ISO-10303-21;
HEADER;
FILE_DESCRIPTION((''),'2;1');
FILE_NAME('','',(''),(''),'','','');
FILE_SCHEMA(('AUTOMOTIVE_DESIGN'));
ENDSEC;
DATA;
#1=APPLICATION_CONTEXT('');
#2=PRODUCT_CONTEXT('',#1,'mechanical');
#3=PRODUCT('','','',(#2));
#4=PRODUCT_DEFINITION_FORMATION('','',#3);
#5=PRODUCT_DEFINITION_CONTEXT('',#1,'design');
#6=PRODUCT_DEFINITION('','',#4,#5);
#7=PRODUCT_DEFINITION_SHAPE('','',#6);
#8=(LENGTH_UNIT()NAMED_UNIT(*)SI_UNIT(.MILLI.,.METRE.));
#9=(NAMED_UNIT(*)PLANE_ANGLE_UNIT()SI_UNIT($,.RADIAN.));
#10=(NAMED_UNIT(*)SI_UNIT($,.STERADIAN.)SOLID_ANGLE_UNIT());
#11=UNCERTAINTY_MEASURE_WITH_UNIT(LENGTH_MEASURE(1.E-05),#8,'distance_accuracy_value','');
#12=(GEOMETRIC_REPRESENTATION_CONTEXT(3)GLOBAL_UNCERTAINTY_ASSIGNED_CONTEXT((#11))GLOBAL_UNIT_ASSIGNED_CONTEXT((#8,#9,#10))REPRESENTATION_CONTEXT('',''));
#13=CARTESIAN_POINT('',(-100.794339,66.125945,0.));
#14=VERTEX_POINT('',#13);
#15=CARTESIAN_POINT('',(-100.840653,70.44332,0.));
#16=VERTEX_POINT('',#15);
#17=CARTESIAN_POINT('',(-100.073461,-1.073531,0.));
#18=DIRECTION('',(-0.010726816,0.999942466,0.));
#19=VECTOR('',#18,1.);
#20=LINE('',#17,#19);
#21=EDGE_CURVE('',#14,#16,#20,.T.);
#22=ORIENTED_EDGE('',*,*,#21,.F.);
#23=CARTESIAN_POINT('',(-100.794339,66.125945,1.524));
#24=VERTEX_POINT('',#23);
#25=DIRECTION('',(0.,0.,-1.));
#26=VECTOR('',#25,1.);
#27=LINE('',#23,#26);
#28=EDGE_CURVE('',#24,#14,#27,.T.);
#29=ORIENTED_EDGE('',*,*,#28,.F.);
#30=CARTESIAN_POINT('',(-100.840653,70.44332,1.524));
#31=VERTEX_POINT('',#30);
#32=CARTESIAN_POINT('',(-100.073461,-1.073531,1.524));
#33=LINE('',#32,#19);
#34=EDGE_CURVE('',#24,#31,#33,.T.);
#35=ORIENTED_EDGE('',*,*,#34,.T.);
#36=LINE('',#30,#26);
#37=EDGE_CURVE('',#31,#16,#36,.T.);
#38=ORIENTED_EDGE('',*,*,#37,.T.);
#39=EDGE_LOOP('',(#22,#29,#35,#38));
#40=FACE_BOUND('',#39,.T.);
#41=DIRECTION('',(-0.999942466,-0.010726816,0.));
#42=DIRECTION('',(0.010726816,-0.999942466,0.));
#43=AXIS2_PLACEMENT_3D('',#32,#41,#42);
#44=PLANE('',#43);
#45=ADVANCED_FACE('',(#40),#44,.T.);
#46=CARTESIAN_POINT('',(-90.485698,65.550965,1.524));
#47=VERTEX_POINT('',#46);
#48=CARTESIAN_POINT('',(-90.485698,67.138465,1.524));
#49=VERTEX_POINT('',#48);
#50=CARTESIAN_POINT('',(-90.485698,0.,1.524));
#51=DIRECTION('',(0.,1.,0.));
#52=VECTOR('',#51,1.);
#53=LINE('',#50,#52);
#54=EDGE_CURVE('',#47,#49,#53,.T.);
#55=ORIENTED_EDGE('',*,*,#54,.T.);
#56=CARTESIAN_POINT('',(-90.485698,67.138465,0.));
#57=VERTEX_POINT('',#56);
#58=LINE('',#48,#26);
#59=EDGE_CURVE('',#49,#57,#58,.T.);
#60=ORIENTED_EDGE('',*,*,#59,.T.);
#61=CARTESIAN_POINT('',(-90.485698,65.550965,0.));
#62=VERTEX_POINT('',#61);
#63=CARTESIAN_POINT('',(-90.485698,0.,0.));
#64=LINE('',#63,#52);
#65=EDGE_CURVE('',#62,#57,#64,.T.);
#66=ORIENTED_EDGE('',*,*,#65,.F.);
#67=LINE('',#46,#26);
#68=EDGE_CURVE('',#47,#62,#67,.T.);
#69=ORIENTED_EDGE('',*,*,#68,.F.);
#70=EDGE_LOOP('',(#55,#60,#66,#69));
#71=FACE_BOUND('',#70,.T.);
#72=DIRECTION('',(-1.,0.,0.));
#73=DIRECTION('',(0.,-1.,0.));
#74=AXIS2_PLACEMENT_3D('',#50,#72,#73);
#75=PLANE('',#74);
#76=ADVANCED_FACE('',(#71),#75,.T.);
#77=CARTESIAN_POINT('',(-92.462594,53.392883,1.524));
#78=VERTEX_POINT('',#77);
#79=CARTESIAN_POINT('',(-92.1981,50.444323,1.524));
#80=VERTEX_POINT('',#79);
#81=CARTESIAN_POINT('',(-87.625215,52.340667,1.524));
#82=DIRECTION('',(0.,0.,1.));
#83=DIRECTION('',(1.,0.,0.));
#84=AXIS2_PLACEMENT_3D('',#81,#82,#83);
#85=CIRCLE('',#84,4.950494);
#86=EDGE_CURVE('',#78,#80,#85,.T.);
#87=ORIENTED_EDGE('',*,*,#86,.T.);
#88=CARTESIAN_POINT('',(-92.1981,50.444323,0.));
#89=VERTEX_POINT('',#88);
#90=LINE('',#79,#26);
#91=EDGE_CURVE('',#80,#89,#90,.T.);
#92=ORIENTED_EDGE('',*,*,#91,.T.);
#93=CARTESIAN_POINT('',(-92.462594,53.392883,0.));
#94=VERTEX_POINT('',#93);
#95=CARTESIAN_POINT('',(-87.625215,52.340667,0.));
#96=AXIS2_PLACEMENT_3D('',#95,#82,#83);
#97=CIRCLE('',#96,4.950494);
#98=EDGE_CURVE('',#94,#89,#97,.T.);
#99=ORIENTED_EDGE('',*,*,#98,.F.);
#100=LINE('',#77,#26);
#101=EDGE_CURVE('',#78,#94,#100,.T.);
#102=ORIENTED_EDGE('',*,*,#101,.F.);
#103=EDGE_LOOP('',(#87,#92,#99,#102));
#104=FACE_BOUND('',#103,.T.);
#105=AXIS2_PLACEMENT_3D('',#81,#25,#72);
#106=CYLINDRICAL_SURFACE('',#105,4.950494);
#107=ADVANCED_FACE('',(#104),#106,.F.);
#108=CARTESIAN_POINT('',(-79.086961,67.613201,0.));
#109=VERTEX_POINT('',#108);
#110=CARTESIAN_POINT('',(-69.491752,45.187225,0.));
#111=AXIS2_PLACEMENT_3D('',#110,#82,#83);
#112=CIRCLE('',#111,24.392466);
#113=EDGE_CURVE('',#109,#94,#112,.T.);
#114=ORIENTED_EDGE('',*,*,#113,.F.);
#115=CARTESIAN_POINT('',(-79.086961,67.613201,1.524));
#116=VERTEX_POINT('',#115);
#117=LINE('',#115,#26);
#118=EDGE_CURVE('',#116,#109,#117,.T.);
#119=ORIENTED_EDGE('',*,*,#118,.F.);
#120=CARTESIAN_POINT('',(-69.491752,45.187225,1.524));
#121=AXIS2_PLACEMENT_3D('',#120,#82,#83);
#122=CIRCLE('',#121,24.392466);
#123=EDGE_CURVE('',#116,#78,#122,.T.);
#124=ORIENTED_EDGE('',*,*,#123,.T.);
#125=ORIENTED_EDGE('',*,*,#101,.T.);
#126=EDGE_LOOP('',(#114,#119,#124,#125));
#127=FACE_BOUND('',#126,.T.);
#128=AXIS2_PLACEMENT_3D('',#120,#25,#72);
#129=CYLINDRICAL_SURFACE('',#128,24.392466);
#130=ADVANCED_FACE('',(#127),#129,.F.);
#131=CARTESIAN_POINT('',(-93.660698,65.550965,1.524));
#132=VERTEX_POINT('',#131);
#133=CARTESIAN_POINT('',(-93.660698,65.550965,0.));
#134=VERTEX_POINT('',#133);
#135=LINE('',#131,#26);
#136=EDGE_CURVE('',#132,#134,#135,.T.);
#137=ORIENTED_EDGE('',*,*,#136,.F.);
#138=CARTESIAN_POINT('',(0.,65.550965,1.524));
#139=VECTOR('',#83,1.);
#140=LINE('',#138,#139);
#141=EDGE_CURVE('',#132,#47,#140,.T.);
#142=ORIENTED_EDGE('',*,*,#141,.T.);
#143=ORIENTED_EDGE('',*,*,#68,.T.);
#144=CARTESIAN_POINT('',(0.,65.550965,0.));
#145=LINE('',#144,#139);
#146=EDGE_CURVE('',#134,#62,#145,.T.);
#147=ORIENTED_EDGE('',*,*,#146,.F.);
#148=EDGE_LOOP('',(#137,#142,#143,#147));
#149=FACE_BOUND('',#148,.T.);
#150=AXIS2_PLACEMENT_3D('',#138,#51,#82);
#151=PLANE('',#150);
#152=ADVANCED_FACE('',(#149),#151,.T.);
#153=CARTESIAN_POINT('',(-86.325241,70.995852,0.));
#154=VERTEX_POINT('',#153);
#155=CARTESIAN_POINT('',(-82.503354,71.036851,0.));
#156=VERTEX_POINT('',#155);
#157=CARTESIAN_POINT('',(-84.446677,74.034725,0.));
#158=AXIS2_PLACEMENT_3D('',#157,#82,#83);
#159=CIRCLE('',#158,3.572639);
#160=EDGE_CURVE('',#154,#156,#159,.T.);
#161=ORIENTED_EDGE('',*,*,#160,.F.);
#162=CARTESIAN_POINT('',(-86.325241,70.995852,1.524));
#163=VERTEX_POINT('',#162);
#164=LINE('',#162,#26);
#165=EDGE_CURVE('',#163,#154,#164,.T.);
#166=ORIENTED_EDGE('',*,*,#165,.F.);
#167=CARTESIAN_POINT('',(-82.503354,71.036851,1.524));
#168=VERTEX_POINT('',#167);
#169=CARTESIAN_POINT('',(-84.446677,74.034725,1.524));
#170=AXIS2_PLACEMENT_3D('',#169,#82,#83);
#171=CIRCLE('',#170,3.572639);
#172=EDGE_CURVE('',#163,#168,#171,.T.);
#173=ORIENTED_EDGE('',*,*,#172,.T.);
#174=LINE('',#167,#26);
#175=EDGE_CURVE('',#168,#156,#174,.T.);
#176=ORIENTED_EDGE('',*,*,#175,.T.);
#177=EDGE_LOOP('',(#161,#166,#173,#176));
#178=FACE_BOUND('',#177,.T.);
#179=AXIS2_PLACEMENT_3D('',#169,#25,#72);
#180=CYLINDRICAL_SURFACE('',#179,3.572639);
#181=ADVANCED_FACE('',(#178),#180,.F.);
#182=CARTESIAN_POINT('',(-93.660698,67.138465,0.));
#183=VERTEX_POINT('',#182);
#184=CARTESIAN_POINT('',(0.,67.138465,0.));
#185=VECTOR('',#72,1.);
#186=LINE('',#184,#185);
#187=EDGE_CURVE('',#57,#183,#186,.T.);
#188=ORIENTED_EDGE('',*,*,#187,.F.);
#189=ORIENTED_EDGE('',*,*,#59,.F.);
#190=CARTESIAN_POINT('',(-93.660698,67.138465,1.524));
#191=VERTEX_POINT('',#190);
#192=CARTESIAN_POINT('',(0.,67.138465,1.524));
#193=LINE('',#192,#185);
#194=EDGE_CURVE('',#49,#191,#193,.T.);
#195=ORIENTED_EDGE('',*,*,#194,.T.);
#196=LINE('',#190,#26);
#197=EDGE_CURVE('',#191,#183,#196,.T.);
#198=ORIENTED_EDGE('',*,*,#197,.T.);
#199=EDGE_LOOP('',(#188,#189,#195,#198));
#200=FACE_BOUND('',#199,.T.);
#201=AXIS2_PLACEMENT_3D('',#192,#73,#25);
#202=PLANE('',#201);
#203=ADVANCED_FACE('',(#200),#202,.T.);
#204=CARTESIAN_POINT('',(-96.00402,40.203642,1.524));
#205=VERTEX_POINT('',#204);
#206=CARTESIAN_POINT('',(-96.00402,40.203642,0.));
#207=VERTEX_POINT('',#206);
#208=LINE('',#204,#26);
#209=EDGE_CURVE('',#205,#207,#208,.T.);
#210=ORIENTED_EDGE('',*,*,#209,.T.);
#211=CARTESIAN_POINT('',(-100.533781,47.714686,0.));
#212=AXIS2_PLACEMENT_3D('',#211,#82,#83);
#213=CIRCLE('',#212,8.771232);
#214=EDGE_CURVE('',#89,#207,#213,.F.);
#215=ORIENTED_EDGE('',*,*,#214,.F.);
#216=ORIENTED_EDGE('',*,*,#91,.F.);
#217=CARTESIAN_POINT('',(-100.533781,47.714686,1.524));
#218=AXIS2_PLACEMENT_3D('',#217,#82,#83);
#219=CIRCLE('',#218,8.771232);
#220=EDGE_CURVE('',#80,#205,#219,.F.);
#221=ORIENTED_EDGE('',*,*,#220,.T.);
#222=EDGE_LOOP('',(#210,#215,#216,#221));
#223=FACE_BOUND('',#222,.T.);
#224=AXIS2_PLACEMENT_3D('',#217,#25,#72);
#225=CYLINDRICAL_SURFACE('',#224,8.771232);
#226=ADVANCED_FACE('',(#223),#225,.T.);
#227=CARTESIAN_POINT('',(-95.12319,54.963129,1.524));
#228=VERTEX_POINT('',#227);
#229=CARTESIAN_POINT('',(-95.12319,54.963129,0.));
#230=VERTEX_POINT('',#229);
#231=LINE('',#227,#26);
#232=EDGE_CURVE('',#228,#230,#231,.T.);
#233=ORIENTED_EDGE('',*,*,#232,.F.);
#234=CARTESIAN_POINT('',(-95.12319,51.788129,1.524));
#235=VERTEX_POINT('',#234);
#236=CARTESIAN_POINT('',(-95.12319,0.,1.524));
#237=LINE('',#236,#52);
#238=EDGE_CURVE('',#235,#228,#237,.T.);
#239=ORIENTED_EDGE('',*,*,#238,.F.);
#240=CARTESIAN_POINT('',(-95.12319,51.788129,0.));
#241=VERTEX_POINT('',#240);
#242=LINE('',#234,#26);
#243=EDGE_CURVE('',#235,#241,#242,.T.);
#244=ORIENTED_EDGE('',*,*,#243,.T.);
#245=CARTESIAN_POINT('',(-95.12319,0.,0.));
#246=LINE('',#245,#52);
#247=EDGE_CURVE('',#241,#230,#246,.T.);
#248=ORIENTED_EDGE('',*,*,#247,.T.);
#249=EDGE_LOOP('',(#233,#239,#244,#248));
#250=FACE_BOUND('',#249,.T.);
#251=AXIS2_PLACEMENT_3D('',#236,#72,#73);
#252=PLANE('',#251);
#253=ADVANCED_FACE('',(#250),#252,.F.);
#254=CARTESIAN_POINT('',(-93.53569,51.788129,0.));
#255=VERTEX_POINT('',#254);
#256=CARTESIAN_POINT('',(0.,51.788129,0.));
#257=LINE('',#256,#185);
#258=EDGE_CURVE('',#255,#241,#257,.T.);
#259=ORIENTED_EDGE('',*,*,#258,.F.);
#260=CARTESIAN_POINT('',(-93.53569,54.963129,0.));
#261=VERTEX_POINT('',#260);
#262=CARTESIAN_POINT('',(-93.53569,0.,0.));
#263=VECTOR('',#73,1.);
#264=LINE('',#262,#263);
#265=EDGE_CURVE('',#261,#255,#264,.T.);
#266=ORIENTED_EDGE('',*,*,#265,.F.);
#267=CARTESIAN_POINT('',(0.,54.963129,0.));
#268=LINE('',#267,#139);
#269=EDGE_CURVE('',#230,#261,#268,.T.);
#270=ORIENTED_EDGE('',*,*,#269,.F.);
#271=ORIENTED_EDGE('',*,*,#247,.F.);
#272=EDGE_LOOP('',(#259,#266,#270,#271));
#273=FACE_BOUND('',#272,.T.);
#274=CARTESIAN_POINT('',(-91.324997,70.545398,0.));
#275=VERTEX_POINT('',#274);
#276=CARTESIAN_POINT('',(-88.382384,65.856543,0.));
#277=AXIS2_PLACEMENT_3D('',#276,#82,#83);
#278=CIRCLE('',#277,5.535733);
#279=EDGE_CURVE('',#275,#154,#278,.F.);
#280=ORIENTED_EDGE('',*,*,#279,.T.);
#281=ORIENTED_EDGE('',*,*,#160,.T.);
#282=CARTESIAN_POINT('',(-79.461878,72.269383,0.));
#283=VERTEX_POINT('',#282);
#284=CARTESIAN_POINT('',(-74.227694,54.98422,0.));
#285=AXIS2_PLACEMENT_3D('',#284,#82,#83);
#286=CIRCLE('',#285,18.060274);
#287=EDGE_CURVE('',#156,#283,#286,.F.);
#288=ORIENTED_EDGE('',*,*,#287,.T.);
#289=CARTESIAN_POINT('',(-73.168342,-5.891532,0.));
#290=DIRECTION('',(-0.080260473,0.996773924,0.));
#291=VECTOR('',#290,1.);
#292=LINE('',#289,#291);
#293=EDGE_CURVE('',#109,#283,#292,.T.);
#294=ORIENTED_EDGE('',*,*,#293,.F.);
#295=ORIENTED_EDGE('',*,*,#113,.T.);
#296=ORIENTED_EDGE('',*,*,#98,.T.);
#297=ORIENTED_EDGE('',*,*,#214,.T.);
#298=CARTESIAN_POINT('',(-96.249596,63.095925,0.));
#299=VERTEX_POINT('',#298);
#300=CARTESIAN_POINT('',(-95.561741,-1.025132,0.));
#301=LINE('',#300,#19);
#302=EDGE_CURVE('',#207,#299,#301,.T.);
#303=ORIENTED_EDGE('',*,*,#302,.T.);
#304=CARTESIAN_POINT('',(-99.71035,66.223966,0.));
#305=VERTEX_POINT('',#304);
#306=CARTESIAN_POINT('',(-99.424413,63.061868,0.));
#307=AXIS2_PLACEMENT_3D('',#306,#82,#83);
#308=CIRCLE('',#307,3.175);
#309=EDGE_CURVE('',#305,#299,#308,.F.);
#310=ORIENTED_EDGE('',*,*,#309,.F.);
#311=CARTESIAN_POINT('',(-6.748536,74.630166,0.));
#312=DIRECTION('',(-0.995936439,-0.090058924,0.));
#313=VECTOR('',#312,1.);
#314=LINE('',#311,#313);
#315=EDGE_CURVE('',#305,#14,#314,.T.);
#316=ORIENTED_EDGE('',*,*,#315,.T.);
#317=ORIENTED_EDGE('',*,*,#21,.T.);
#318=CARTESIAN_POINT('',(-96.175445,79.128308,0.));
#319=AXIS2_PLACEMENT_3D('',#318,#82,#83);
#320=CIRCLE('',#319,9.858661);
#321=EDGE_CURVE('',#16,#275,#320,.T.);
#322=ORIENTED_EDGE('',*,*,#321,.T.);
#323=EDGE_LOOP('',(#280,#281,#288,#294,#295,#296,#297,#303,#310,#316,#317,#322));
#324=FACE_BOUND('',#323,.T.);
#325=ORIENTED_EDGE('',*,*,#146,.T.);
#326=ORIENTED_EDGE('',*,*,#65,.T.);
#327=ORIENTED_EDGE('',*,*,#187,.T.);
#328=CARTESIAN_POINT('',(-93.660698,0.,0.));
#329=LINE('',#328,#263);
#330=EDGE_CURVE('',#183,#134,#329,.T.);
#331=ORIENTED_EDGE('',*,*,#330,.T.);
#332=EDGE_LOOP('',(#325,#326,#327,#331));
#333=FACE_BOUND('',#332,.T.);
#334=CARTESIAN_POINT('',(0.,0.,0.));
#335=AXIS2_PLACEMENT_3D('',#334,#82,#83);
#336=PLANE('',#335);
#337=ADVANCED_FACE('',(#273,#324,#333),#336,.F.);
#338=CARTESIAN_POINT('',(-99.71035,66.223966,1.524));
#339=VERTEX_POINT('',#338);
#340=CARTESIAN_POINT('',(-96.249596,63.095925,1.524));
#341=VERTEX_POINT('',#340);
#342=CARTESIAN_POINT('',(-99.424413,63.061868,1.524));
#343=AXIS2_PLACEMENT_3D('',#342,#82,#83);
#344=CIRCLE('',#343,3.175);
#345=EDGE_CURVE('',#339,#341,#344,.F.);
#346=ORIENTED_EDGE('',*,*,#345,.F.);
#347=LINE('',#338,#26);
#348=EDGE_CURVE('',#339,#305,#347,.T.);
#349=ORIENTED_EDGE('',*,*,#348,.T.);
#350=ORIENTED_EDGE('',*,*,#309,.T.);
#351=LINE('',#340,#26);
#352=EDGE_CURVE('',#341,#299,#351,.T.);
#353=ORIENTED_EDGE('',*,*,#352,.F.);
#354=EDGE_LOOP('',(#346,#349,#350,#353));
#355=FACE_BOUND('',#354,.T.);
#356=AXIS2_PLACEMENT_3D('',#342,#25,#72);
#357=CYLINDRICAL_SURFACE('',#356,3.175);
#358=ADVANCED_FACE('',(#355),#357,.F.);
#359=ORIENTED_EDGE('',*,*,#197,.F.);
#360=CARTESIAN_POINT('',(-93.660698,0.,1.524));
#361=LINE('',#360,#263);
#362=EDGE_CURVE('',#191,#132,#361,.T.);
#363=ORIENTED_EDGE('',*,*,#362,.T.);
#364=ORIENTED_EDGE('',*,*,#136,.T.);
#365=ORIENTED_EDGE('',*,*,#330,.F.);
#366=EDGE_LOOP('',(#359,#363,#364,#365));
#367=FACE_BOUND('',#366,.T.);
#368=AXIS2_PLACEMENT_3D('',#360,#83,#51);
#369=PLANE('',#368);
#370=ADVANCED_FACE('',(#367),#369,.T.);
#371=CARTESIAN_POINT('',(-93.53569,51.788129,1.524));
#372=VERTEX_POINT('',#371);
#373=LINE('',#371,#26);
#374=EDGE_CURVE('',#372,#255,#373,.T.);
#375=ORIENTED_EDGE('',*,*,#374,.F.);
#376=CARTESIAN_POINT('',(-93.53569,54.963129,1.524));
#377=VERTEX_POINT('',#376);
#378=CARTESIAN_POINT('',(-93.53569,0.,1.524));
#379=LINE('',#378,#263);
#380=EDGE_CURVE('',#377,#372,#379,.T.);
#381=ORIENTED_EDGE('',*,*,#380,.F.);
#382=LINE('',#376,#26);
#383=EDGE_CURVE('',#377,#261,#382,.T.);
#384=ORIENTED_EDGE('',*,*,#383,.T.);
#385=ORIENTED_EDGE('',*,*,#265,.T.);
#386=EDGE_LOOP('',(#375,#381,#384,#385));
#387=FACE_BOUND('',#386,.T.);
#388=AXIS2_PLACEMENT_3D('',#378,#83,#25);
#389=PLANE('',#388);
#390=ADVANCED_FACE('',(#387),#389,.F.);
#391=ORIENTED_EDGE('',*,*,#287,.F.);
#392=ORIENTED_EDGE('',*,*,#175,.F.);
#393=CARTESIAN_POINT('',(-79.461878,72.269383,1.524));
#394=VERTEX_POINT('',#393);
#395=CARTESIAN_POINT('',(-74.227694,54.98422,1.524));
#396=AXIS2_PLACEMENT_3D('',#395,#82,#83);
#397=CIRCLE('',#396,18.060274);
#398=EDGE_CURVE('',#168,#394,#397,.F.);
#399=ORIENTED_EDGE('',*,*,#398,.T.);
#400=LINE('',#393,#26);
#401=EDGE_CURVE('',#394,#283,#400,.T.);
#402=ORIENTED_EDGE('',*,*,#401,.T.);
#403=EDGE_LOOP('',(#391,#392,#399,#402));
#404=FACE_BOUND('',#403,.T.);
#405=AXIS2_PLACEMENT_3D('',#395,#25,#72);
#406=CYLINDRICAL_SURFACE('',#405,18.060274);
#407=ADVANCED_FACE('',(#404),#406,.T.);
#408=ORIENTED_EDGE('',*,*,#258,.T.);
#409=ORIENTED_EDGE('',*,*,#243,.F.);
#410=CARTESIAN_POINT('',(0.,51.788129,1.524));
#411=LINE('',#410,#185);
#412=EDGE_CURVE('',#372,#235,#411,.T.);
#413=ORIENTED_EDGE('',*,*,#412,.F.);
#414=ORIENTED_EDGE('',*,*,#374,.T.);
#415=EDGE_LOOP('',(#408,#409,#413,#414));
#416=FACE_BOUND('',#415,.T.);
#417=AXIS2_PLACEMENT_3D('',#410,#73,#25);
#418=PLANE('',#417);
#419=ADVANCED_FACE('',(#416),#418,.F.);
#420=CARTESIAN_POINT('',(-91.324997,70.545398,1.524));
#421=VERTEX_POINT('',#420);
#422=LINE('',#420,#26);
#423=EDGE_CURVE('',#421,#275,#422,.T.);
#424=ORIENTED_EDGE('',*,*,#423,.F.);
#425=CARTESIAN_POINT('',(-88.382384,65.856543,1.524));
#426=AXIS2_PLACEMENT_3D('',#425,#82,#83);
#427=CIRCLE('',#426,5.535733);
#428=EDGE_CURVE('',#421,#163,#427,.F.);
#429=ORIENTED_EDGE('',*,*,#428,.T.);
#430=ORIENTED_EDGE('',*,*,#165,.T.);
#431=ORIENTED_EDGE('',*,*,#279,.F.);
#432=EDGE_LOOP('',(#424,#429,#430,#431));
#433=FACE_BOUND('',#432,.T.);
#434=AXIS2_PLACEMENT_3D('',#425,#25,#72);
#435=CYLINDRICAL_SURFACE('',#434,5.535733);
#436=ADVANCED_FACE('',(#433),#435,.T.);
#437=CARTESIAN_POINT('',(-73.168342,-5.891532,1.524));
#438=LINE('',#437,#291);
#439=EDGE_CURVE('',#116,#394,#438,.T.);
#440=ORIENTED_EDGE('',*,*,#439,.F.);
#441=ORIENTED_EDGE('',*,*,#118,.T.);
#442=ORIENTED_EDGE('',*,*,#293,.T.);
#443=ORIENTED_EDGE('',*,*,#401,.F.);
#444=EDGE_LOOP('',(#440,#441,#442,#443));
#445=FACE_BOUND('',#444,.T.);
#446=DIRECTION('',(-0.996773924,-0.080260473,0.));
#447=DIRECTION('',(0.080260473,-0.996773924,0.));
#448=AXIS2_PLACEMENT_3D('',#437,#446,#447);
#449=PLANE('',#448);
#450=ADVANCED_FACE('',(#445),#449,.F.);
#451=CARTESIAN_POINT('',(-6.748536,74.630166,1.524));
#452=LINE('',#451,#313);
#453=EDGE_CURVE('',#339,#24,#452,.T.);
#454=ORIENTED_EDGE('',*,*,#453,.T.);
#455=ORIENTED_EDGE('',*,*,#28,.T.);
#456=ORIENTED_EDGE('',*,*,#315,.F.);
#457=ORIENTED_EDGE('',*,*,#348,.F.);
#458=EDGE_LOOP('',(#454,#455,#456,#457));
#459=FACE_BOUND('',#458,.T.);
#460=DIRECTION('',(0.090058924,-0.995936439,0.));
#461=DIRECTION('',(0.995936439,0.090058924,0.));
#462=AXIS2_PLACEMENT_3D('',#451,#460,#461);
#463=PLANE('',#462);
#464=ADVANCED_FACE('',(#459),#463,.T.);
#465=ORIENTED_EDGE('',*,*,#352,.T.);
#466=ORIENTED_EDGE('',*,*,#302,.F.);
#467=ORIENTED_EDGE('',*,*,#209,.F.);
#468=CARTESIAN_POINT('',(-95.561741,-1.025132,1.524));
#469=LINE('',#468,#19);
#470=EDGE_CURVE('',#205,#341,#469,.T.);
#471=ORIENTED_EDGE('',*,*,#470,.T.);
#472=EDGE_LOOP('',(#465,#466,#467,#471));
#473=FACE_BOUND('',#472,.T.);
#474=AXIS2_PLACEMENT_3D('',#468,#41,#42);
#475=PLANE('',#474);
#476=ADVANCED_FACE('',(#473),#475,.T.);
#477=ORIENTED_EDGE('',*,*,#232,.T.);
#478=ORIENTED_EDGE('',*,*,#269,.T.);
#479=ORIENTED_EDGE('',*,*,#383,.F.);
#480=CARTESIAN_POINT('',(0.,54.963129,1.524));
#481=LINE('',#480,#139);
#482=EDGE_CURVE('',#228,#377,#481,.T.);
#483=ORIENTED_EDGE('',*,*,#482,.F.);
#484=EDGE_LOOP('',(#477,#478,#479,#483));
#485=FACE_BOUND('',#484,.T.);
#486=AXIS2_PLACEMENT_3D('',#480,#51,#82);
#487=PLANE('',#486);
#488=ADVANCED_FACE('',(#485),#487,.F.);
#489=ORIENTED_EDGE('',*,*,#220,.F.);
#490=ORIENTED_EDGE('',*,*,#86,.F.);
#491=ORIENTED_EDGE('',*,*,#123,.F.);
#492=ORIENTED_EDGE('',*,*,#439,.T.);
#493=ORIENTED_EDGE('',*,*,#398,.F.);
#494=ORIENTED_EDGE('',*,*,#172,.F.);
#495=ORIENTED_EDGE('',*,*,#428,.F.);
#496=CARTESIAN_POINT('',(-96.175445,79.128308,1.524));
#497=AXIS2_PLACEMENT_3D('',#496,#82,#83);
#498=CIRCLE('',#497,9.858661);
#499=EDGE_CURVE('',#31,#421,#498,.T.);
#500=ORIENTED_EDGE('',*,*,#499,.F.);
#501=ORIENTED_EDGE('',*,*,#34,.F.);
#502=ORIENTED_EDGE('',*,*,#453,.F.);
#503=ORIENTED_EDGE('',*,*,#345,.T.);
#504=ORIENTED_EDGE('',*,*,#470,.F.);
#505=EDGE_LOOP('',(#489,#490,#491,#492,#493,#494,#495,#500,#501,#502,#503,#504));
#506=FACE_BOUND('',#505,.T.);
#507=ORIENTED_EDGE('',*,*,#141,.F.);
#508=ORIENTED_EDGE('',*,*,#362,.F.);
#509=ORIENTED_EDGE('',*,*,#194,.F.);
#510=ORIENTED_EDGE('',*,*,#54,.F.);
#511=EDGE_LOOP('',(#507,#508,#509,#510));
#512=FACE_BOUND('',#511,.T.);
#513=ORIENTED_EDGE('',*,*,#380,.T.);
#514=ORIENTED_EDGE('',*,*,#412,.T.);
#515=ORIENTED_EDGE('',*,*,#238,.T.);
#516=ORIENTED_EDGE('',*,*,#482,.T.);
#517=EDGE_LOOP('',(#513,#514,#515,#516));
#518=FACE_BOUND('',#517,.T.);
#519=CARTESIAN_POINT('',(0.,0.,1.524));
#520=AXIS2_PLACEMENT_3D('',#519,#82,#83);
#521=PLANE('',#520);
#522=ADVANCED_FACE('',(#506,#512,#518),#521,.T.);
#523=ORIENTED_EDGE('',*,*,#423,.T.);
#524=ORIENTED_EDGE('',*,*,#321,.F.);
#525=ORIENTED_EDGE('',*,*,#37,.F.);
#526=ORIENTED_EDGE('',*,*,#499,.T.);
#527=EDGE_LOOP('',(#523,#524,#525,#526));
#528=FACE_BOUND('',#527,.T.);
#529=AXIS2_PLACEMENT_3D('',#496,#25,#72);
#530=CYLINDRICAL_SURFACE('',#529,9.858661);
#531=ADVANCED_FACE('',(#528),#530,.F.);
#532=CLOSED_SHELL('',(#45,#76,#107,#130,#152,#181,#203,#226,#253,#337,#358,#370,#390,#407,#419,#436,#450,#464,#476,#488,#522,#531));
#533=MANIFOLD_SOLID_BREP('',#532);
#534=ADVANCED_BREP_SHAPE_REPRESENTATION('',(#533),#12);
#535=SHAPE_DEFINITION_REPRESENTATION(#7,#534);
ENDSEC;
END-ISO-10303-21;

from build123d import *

# Parameters (mm, degrees)
SKETCH1_W           = 1.5875
SKETCH1_H           = 3.175
SKETCH1_W_2         = 3.175
SKETCH1_H_2         = 1.5875
BOSS_EXTRUDE1_DEPTH = 1.524


with BuildPart() as part:
    # Sketch1 → Boss-Extrude1 (new body)
    with BuildSketch(Plane.XY):
        with BuildLine():
            ThreePointArc((-92.462594244, 53.392882958), (-87.259455285, 61.89953001), (-79.086960783, 67.613200697))
            Line((-79.086960783, 67.613200697), (-79.461877647, 72.269382522))
            ThreePointArc((-79.461877647, 72.269382522), (-81.010669369, 71.722343201), (-82.50335439, 71.03685123))
            ThreePointArc((-82.50335439, 71.03685123), (-84.40835406, 70.46229139), (-86.325241021, 70.995852197))
            ThreePointArc((-86.325241021, 70.995852197), (-88.879114534, 71.369944183), (-91.324996548, 70.545398299))
            ThreePointArc((-91.324996548, 70.545398299), (-93.73568856, 69.57630413), (-96.315834525, 69.270646985))
            ThreePointArc((-96.315834525, 69.270646985), (-98.648749132, 69.584935579), (-100.840653449, 70.443319727))
            Line((-100.840653449, 70.443319727), (-100.794339098, 66.125944717))
            Line((-100.794339098, 66.125944717), (-99.710350028, 66.223965922))
            ThreePointArc((-99.710350028, 66.223965922), (-97.295430394, 65.417299389), (-96.249595613, 63.095925369))
            Line((-96.249595613, 63.095925369), (-96.004020182, 40.203642412))
            ThreePointArc((-96.004020182, 40.203642412), (-92.311993967, 44.659081136), (-92.198099781, 50.444322695))
            ThreePointArc((-92.198099781, 50.444322695), (-92.555911633, 51.898369022), (-92.462594244, 53.392882958))
        make_face()
        with Locations((-94.329440184, 53.37562941)):
            Rectangle(SKETCH1_W, SKETCH1_H, mode=Mode.SUBTRACT)
        with Locations((-92.073197515, 66.344715332)):
            Rectangle(SKETCH1_W_2, SKETCH1_H_2, mode=Mode.SUBTRACT)
    extrude(amount=BOSS_EXTRUDE1_DEPTH)


solid = part.part
